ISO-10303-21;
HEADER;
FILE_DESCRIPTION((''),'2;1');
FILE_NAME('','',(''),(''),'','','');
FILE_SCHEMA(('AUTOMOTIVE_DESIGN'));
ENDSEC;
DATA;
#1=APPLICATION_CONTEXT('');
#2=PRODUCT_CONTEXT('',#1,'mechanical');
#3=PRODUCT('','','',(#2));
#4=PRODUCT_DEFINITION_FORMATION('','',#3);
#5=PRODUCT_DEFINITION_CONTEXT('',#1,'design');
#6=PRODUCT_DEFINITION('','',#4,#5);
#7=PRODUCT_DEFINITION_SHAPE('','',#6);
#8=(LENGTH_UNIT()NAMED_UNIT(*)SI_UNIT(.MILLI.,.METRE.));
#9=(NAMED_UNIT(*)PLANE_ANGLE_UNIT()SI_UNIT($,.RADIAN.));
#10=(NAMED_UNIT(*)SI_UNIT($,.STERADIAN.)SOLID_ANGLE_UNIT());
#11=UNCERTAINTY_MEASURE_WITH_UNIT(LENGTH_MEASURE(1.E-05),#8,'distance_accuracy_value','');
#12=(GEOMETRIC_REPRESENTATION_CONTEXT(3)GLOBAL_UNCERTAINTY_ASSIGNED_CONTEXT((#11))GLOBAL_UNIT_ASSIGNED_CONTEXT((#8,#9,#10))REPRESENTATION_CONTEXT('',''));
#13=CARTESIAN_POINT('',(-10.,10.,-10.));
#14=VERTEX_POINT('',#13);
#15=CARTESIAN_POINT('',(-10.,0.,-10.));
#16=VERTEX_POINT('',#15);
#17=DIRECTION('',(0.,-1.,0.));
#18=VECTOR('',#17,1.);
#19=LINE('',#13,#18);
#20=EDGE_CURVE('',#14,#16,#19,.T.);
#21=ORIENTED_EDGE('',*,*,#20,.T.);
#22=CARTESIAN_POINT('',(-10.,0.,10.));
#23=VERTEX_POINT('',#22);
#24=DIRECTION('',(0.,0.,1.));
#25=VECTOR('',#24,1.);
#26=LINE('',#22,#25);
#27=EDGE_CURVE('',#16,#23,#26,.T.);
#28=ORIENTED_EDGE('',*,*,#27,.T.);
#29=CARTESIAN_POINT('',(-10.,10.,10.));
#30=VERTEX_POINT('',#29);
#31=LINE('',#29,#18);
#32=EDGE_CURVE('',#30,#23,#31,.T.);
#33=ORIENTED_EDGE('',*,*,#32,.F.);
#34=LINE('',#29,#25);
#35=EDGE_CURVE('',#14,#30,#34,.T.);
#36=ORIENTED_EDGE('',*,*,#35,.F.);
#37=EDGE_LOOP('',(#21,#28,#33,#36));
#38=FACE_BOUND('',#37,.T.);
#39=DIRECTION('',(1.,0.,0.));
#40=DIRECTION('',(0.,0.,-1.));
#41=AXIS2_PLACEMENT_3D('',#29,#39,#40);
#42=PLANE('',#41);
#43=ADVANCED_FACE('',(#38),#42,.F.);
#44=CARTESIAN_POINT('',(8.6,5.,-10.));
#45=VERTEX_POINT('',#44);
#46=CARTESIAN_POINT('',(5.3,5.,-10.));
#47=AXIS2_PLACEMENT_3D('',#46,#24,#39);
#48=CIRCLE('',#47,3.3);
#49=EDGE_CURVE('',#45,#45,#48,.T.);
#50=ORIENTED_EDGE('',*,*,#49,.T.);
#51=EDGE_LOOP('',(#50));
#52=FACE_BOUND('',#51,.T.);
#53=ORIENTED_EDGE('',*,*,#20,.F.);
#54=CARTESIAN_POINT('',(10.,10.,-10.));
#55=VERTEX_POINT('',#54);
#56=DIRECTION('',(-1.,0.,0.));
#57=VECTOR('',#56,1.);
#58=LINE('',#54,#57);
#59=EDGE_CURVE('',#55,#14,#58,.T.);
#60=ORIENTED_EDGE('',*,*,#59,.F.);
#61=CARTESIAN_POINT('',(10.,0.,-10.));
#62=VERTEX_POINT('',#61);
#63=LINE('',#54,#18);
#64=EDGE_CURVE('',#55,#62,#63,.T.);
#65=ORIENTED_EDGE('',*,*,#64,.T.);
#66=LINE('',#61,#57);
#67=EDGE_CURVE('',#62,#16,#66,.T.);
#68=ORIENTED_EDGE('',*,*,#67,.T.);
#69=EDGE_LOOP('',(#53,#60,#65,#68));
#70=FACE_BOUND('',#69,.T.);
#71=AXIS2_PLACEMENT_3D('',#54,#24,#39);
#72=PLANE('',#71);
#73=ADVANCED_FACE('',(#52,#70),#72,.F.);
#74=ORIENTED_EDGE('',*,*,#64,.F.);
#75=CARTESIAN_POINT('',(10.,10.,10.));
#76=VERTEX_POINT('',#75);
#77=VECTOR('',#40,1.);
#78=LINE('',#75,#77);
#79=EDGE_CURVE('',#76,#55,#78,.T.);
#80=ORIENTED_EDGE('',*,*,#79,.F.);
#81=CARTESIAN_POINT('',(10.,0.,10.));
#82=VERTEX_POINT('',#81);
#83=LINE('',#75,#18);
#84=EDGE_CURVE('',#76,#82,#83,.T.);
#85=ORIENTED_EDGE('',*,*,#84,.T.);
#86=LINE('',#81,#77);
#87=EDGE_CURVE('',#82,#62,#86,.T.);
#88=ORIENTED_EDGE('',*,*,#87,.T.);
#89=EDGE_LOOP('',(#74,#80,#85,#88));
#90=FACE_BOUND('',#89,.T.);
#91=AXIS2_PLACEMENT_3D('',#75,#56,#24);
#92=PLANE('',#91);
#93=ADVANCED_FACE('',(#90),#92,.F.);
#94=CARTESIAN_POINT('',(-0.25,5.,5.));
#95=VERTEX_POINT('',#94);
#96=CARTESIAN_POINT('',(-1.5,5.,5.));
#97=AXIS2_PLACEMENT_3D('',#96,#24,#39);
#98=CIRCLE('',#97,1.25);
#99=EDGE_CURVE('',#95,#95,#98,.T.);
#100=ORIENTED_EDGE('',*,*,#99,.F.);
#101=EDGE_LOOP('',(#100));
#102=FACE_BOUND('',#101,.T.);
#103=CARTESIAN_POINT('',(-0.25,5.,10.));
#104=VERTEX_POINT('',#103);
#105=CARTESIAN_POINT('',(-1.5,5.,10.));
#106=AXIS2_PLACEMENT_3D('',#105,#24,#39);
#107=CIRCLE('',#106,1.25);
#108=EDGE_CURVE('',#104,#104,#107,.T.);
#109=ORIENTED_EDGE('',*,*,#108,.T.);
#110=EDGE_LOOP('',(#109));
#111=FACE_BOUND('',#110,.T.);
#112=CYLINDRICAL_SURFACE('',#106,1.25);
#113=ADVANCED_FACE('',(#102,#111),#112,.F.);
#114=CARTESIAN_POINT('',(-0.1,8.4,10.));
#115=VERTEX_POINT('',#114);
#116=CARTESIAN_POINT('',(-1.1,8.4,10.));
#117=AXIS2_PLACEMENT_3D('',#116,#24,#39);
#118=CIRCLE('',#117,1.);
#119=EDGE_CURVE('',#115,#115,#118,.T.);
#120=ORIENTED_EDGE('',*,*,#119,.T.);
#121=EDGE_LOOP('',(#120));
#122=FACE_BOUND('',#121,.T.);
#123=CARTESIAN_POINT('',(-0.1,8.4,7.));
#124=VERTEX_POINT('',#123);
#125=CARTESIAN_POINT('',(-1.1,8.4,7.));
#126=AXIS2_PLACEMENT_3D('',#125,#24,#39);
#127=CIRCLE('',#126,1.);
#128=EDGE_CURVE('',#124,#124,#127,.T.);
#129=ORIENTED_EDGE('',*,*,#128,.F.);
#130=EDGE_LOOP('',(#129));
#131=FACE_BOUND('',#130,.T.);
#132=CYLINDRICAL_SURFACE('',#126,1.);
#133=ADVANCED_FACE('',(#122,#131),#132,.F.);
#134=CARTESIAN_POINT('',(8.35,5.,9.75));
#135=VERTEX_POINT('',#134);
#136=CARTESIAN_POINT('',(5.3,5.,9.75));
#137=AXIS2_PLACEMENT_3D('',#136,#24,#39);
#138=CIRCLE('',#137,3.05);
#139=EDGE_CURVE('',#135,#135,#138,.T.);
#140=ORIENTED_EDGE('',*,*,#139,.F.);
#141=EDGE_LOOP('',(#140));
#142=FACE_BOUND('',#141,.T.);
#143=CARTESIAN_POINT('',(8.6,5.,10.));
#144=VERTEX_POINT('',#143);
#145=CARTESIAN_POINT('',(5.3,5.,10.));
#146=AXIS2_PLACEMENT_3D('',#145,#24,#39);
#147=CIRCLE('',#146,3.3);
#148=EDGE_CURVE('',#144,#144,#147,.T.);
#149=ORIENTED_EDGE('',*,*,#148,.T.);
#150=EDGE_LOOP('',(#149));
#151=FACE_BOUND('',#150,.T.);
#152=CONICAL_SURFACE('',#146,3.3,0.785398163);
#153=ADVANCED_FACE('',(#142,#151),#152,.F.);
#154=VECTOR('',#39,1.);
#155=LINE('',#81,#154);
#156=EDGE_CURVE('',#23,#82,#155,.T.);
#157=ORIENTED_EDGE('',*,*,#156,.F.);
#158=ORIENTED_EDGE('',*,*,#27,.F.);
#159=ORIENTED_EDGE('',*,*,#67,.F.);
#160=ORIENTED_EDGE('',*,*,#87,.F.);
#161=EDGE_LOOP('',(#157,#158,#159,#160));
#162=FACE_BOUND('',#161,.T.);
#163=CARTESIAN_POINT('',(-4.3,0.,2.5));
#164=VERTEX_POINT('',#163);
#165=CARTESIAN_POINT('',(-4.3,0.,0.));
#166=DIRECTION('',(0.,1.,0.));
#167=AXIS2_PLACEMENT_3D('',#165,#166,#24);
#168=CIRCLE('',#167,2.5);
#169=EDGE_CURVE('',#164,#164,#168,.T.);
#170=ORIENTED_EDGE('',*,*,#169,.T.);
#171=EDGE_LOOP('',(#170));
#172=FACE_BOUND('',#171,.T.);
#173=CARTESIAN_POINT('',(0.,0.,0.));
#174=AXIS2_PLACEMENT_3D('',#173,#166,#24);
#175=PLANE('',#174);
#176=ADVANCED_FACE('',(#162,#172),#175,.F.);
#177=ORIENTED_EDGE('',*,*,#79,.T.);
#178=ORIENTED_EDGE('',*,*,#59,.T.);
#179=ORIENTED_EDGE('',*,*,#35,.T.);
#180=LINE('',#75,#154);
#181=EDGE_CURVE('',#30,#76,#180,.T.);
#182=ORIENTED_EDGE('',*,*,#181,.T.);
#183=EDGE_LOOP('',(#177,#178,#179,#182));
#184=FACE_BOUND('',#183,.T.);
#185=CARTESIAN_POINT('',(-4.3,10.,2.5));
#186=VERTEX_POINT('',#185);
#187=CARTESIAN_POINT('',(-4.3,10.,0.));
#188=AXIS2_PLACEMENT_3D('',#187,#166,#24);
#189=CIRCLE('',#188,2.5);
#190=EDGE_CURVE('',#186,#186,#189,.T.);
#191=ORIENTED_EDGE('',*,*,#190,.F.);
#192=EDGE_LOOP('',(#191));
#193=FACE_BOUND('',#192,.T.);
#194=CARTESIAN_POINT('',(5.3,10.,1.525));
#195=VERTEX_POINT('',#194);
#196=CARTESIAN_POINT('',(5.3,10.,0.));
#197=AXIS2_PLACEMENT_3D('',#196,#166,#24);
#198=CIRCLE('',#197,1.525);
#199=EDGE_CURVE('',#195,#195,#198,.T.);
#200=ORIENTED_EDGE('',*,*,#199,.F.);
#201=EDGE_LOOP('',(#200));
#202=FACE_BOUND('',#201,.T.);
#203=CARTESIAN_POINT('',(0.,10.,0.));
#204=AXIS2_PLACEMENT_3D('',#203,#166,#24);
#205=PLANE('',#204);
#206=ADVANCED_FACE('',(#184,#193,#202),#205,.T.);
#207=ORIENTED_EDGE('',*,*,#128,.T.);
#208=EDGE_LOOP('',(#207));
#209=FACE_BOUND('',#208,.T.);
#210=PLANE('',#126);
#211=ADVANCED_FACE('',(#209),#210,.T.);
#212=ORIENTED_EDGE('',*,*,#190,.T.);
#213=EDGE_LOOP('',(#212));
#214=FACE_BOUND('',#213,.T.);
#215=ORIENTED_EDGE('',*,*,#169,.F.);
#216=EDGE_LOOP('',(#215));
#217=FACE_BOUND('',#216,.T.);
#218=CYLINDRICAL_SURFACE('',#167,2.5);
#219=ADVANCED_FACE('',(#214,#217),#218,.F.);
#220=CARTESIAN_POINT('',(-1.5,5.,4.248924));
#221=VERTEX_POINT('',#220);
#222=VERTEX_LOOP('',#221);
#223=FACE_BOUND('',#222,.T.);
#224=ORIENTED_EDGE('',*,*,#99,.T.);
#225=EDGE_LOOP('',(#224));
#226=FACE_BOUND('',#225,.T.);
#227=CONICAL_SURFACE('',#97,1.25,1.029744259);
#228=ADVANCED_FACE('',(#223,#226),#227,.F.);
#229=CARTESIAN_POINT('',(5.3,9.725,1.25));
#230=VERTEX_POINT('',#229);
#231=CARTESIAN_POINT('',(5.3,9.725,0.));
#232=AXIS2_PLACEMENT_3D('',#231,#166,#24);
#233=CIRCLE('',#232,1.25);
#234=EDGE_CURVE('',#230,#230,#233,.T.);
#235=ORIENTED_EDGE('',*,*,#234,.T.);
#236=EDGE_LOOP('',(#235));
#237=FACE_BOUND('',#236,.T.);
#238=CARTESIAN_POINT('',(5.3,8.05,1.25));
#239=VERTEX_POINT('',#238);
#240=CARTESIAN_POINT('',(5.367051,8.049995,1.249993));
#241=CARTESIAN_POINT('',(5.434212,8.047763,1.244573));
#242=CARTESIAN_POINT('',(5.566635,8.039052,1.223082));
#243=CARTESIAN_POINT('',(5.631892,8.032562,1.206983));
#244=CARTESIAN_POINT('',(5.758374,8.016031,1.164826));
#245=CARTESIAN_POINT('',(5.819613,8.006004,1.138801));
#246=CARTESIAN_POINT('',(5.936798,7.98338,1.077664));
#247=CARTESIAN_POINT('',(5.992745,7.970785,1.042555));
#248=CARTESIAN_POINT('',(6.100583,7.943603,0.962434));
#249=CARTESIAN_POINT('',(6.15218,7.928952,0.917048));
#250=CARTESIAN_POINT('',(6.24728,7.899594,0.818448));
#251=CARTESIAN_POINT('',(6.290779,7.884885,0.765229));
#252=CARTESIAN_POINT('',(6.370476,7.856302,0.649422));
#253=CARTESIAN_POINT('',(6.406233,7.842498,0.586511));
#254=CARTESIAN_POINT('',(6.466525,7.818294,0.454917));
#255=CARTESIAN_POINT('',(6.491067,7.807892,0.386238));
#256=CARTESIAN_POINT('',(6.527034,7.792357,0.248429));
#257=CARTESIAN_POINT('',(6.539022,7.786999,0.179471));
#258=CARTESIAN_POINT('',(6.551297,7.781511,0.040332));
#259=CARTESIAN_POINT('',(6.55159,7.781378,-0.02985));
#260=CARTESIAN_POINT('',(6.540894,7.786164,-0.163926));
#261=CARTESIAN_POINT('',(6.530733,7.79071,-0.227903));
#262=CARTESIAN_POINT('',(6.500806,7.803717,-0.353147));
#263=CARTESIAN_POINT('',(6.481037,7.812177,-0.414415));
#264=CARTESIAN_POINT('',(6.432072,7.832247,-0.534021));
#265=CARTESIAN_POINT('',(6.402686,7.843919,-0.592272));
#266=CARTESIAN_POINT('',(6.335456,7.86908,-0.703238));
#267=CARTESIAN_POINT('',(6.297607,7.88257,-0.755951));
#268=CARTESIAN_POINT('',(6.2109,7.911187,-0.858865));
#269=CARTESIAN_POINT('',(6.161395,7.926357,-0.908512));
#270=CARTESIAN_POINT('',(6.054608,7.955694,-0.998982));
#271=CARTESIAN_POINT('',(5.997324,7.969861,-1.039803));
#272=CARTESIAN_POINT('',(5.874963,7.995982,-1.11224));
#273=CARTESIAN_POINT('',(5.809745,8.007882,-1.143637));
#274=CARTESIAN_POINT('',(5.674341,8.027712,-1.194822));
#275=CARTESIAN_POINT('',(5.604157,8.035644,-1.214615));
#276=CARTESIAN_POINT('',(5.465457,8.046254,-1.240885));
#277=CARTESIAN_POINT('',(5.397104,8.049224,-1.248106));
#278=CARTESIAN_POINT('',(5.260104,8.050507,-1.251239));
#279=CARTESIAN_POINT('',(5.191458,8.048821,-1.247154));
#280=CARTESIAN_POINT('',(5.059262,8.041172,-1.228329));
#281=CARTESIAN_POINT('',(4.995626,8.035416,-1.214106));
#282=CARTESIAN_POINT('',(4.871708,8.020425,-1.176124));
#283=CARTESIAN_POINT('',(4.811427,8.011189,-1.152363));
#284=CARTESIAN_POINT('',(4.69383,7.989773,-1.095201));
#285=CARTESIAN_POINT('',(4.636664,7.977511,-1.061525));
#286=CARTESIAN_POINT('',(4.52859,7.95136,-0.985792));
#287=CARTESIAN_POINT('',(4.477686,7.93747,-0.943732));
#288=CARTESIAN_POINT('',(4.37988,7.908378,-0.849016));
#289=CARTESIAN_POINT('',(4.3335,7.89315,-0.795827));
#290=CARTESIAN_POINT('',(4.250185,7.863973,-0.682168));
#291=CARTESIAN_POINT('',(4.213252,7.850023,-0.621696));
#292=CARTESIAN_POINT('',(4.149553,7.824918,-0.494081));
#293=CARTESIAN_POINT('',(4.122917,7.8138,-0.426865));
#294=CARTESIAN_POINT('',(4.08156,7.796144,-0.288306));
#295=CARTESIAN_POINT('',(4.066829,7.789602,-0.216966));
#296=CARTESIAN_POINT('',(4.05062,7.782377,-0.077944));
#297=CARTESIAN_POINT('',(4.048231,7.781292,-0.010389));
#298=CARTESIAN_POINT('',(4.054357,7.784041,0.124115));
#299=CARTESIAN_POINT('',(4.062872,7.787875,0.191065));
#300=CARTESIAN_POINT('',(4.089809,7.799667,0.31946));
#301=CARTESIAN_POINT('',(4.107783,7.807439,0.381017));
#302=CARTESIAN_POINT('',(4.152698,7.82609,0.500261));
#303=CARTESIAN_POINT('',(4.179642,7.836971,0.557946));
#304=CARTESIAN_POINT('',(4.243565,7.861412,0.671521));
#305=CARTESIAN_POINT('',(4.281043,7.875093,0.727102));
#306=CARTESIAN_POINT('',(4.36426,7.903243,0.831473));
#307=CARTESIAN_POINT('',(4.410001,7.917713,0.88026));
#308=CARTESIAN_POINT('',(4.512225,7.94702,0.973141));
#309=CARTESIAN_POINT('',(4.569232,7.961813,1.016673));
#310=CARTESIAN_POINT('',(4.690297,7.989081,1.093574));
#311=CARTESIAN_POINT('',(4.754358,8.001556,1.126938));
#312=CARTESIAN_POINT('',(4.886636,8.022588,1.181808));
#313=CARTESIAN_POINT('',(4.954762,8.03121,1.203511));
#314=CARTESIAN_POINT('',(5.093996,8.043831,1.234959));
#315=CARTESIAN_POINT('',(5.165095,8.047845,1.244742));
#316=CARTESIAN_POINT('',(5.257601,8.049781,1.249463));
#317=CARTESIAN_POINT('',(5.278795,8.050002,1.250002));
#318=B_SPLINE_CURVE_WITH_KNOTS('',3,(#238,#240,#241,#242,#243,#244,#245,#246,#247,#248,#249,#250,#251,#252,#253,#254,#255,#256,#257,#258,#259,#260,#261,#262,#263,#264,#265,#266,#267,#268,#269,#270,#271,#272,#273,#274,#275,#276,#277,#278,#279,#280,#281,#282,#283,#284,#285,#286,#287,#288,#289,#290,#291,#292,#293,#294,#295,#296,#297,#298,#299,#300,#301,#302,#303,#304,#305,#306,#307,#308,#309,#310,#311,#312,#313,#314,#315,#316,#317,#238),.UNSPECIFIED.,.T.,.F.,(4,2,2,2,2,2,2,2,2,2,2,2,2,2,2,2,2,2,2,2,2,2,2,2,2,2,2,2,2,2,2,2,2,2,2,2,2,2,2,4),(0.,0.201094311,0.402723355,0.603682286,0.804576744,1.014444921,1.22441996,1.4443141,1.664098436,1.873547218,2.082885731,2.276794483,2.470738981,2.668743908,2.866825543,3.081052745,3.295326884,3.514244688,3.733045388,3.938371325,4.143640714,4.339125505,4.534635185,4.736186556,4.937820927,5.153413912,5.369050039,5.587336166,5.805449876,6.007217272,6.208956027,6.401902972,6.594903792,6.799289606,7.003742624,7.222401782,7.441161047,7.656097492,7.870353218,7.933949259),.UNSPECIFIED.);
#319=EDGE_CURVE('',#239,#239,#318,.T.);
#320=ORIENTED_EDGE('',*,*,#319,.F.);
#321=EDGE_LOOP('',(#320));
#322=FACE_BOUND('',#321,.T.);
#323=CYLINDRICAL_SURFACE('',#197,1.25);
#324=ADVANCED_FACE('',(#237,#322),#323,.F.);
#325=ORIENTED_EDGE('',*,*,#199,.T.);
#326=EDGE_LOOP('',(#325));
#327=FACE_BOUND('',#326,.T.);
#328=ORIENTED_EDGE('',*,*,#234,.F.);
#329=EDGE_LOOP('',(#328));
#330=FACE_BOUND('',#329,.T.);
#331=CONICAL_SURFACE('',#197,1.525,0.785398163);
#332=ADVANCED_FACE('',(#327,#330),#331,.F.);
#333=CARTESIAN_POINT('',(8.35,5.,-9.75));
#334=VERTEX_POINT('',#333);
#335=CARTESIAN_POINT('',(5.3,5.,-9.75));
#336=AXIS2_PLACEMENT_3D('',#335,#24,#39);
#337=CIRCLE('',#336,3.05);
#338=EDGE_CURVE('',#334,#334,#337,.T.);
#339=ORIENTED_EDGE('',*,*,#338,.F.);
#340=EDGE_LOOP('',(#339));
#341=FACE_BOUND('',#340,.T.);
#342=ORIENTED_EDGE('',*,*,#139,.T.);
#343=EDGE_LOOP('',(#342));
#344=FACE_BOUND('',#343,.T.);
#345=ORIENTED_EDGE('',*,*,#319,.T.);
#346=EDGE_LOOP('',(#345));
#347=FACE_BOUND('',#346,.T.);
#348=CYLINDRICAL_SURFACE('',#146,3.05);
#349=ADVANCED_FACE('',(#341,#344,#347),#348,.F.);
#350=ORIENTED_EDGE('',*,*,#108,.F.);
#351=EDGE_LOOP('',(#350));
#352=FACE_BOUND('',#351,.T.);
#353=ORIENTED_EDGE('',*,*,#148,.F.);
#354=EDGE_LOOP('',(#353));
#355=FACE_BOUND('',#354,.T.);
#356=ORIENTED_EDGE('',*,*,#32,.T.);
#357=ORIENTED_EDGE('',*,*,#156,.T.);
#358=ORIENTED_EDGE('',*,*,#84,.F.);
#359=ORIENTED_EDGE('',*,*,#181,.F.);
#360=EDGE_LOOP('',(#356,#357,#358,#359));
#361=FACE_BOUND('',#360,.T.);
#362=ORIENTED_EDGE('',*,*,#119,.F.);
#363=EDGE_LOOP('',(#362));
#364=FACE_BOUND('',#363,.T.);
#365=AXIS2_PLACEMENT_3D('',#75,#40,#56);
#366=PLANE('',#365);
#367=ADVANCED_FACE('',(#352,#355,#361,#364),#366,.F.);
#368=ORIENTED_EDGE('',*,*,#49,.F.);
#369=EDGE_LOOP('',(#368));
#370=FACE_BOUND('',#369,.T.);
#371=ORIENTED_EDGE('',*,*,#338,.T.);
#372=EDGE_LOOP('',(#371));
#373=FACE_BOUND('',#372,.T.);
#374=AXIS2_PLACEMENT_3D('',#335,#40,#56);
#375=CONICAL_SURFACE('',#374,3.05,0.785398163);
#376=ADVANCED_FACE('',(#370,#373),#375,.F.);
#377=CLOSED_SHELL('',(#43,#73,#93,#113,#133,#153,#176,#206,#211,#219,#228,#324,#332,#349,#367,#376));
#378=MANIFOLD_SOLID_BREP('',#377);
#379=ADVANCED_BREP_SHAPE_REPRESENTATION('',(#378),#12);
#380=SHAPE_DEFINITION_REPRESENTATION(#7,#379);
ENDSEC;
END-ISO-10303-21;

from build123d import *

# Parameters (mm, degrees)
SKETCH_1_W                   = 20
SKETCH_1_H                   = 20
EXTRUDE_1_DEPTH              = 10
HOLE_WIZARD_M3_2_D           = 2.5
HOLE_WIZARD_M3_2_DEPTH       = 5
HOLE_WIZARD_M3_2_TIP         = 0.751075774
HOLE_WIZARD_M3_3_D           = 2.5
HOLE_WIZARD_M3_3_DEPTH       = 6
HOLE_WIZARD_M3_3_CSINK_D     = 3.05
HOLE_WIZARD_M3_3_CSINK_ANGLE = 90
HOLE_WIZARD_M3_3_TIP         = 1.25
SKETCH_23_R                  = 2.5
CUT_EXTRUDE_1_DEPTH          = 11
SKETCH_40_R                  = 1
CUT_EXTRUDE_2_DEPTH          = 3


with BuildPart() as part:
    # 草图1 → 凸台-拉伸1 (new body)
    with BuildSketch(Plane(origin=(0, 0, 0), x_dir=(1, 0, 0), z_dir=(0, 1, 0))):
        Rectangle(SKETCH_1_W, SKETCH_1_H)
    extrude(amount=EXTRUDE_1_DEPTH)

    # 草图26 → Ø6.1 (6.1) 直径孔1 (revolve, cut)
    with BuildSketch(Plane(origin=(5.3, 5, 10), x_dir=(0, -1, 0), z_dir=(1, 0, 0))):
        Polygon((0, 0), (0, 20), (3.3, 20), (3.05, 19.75), (3.05, 0.25), (3.3, 0), align=None)
    revolve(axis=Axis((5.3, 5, 16.35), (0, 0, -1)), mode=Mode.SUBTRACT)

    # M3 螺纹孔2
    with Locations(Plane.XY.offset(10)):
        with Locations((-1.5, 5)):
            Hole(HOLE_WIZARD_M3_2_D / 2, depth=HOLE_WIZARD_M3_2_DEPTH)
            with Locations((0, 0, -(HOLE_WIZARD_M3_2_DEPTH + HOLE_WIZARD_M3_2_TIP / 2))):  # 118° drill point
                Cone(0, HOLE_WIZARD_M3_2_D / 2, HOLE_WIZARD_M3_2_TIP, mode=Mode.SUBTRACT)

    # M3 螺纹孔3
    with Locations(Plane(origin=(0, 10, 0), x_dir=(1, 0, 0), z_dir=(0, 1, 0))):
        with Locations((5.3, 0)):
            CounterSinkHole(HOLE_WIZARD_M3_3_D / 2, HOLE_WIZARD_M3_3_CSINK_D / 2, depth=HOLE_WIZARD_M3_3_DEPTH, counter_sink_angle=HOLE_WIZARD_M3_3_CSINK_ANGLE)
            with Locations((0, 0, -(HOLE_WIZARD_M3_3_DEPTH + HOLE_WIZARD_M3_3_TIP / 2))):  # 90° drill point
                Cone(0, HOLE_WIZARD_M3_3_D / 2, HOLE_WIZARD_M3_3_TIP, mode=Mode.SUBTRACT)

    # 草图23 → 切除-拉伸1 (cut, through all)
    with BuildSketch(Plane(origin=(0, 10, 0), x_dir=(1, 0, 0), z_dir=(0, 1, 0))):
        with Locations((-4.3, 0)):
            Circle(SKETCH_23_R)
    extrude(amount=-CUT_EXTRUDE_1_DEPTH, mode=Mode.SUBTRACT)

    # 草图40 → 切除-拉伸2 (cut)
    with BuildSketch(Plane.XY.offset(10)):
        with Locations((-1.1, 8.4)):
            Circle(SKETCH_40_R)
    extrude(amount=-CUT_EXTRUDE_2_DEPTH, mode=Mode.SUBTRACT)


solid = part.part
